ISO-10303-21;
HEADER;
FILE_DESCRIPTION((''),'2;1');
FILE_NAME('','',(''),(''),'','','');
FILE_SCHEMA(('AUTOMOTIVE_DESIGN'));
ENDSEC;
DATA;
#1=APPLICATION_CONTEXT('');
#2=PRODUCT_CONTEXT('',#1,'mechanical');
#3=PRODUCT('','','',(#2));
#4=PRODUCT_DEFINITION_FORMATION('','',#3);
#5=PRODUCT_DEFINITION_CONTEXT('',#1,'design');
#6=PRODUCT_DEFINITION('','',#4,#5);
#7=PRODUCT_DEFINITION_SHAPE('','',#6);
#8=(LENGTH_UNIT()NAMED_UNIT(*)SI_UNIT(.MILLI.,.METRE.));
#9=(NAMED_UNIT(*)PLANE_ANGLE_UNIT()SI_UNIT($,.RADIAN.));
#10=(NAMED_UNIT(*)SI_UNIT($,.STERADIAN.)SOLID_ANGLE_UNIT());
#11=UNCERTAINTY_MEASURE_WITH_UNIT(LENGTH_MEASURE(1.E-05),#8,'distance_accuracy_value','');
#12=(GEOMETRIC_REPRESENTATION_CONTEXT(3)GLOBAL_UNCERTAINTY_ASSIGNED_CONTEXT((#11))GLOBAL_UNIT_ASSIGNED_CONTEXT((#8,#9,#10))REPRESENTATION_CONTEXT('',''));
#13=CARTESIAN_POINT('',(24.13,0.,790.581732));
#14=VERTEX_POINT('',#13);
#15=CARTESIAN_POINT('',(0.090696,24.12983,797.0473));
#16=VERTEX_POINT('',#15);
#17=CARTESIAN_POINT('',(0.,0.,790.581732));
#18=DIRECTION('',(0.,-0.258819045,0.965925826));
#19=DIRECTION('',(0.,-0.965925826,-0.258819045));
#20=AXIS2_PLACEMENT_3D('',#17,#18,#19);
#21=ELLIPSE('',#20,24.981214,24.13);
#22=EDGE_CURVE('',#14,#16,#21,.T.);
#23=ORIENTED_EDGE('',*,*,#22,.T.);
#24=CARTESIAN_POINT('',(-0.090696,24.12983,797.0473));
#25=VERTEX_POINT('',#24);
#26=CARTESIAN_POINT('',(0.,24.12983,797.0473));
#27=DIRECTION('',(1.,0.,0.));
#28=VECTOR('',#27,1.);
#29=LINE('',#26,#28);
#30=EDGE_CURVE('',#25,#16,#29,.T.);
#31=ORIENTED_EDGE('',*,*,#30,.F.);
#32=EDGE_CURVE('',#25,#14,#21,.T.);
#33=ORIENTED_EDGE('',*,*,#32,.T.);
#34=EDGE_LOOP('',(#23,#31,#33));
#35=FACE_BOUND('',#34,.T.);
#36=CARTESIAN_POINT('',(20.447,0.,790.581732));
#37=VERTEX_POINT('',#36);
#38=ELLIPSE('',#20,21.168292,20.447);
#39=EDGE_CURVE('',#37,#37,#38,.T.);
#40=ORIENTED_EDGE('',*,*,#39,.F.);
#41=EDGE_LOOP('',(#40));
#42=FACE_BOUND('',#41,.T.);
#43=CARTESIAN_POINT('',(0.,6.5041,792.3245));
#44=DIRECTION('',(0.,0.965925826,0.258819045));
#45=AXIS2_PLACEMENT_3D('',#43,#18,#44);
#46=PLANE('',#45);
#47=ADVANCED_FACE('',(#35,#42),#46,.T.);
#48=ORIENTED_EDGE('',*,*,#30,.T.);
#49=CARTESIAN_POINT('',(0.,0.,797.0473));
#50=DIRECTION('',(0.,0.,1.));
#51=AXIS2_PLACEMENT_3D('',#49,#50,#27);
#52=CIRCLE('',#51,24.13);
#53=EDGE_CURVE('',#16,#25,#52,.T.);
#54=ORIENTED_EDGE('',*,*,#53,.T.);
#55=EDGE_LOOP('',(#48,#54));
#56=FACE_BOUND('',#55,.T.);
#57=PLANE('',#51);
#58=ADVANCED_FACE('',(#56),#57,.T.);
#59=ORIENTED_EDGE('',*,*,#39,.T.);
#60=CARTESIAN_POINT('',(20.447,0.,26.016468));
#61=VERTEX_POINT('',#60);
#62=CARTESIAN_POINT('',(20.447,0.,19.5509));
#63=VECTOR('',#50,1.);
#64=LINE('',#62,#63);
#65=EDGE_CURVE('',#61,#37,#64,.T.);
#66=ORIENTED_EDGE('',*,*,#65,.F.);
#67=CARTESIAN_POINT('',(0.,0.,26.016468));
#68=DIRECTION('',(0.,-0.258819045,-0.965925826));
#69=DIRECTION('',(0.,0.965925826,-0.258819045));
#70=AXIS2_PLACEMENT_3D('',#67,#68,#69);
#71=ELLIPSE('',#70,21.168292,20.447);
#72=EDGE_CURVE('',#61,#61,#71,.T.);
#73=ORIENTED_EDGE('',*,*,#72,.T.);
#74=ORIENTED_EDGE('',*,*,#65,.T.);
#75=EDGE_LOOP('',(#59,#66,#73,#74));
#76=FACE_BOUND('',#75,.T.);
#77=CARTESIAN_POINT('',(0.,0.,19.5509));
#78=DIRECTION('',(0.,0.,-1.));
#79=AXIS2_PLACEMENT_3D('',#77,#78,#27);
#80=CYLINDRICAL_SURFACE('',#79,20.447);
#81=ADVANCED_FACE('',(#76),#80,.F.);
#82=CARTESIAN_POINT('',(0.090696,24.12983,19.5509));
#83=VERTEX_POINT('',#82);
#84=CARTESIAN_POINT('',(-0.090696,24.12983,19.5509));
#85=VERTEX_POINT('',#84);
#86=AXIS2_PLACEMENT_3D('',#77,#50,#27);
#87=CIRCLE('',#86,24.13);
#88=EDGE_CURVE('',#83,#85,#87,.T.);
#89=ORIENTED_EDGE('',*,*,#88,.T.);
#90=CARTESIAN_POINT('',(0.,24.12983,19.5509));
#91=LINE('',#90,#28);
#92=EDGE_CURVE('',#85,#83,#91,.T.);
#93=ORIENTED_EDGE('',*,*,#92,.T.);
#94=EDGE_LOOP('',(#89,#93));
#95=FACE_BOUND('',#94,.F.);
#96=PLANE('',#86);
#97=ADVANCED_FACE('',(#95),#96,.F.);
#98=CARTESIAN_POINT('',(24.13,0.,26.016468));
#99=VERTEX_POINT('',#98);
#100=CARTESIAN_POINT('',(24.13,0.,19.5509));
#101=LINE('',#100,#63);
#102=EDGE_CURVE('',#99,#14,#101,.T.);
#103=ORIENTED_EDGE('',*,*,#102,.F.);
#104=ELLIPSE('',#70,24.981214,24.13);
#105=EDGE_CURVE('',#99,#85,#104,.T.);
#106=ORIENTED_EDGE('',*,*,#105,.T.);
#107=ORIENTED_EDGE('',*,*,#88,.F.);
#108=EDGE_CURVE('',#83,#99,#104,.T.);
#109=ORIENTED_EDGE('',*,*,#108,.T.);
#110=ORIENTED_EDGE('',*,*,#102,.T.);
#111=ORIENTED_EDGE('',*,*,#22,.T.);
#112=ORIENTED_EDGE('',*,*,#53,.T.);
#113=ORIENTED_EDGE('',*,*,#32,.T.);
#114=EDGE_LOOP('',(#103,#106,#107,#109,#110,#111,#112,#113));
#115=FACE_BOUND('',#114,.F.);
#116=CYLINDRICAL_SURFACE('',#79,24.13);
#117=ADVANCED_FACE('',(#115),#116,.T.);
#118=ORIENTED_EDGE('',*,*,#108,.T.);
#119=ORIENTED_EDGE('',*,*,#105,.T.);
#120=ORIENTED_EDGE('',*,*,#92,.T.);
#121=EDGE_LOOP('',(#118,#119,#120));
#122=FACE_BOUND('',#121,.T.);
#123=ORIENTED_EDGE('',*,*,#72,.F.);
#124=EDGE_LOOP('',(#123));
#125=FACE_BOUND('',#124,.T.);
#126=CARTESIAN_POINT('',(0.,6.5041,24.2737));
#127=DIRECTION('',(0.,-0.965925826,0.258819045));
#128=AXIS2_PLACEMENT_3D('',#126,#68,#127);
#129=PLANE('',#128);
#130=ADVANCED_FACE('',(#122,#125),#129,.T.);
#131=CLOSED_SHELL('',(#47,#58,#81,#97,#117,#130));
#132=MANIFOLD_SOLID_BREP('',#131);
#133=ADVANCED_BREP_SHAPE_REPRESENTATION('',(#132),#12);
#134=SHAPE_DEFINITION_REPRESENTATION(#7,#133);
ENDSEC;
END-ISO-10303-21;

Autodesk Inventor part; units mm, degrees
ref_plane "Start Plane" through (0, 0, 19.5509) normal (0, 0, 1) x (1, 0, 0)
ref_plane "End Plane" through (0, 0, 797.0473) normal (0, 0, 1) x (1, 0, 0)
sketch "Sketch" plane through (0, 0, 0) normal (0, 0, 1) x (1, 0, 0)
  circle A0 centre (0, 0) radius 20.447
  circle A1 centre (0, 0) radius 24.13
  dimension "d0" = 48.26
  dimension "d1" = 3.683
extrude "Body" add sketch "Sketch" along normal up to surface (777.4964 mm away) from surface at 19.5509
sketch "Sketch3" plane through (0, 0, 0) normal (0, 0, 1) x (1, 0, 0)
  line L0 (0, 0) -> (10, 0)
ref_plane "Work Plane3" through (0, 0, 0) normal (0, -1, 0) x (1, 0, 0)
ref_plane "Work Plane4" through (0, 6.5041, 24.2737) normal (0, -0.2588, -0.9659) x (1, 0, 0)
split "Split1" plane through (0, 6.5041, 24.2737) removes the side toward (0, -0.2588, -0.9659)
ref_plane "Work Plane5" through (0, 6.5041, 792.3245) normal (0, -0.2588, 0.9659) x (1, 0, 0)
split "Split2" plane through (0, 6.5041, 792.3245) removes the side toward (0, -0.2588, 0.9659)
sketch "Sketch4" plane through (0, 0, 0) normal (0, -1, 0) x (1, 0, 0)
  line L0 (-2, 19.5509) -> (12, 19.5509) projected
  line L1 (-2, 797.0473) -> (12, 797.0473) projected
  dimension "d7" = 777.4964
equation "\"d0\" = G_H"
equation "\"d1\" = G_T"
equation "\"d2\" = G_L"
equation "\"G_H\" = 48.26"
equation "\"G_T\" = 3.683"
equation "\"G_L\" = d7"
equation "\"G_OFFSET_START\" = -19.55088"
equation "\"G_OFFSET_END\" = -19.55088"
equation "\"d4\" = -G_OFFSET_START"
equation "\"d5\" = G_OFFSET_END + B_L"
equation "\"B_L\" = 816.59819"
properties part number "ANSI - 1 1/2 x 0.145 - 30.61" material "Steel, Mild"
